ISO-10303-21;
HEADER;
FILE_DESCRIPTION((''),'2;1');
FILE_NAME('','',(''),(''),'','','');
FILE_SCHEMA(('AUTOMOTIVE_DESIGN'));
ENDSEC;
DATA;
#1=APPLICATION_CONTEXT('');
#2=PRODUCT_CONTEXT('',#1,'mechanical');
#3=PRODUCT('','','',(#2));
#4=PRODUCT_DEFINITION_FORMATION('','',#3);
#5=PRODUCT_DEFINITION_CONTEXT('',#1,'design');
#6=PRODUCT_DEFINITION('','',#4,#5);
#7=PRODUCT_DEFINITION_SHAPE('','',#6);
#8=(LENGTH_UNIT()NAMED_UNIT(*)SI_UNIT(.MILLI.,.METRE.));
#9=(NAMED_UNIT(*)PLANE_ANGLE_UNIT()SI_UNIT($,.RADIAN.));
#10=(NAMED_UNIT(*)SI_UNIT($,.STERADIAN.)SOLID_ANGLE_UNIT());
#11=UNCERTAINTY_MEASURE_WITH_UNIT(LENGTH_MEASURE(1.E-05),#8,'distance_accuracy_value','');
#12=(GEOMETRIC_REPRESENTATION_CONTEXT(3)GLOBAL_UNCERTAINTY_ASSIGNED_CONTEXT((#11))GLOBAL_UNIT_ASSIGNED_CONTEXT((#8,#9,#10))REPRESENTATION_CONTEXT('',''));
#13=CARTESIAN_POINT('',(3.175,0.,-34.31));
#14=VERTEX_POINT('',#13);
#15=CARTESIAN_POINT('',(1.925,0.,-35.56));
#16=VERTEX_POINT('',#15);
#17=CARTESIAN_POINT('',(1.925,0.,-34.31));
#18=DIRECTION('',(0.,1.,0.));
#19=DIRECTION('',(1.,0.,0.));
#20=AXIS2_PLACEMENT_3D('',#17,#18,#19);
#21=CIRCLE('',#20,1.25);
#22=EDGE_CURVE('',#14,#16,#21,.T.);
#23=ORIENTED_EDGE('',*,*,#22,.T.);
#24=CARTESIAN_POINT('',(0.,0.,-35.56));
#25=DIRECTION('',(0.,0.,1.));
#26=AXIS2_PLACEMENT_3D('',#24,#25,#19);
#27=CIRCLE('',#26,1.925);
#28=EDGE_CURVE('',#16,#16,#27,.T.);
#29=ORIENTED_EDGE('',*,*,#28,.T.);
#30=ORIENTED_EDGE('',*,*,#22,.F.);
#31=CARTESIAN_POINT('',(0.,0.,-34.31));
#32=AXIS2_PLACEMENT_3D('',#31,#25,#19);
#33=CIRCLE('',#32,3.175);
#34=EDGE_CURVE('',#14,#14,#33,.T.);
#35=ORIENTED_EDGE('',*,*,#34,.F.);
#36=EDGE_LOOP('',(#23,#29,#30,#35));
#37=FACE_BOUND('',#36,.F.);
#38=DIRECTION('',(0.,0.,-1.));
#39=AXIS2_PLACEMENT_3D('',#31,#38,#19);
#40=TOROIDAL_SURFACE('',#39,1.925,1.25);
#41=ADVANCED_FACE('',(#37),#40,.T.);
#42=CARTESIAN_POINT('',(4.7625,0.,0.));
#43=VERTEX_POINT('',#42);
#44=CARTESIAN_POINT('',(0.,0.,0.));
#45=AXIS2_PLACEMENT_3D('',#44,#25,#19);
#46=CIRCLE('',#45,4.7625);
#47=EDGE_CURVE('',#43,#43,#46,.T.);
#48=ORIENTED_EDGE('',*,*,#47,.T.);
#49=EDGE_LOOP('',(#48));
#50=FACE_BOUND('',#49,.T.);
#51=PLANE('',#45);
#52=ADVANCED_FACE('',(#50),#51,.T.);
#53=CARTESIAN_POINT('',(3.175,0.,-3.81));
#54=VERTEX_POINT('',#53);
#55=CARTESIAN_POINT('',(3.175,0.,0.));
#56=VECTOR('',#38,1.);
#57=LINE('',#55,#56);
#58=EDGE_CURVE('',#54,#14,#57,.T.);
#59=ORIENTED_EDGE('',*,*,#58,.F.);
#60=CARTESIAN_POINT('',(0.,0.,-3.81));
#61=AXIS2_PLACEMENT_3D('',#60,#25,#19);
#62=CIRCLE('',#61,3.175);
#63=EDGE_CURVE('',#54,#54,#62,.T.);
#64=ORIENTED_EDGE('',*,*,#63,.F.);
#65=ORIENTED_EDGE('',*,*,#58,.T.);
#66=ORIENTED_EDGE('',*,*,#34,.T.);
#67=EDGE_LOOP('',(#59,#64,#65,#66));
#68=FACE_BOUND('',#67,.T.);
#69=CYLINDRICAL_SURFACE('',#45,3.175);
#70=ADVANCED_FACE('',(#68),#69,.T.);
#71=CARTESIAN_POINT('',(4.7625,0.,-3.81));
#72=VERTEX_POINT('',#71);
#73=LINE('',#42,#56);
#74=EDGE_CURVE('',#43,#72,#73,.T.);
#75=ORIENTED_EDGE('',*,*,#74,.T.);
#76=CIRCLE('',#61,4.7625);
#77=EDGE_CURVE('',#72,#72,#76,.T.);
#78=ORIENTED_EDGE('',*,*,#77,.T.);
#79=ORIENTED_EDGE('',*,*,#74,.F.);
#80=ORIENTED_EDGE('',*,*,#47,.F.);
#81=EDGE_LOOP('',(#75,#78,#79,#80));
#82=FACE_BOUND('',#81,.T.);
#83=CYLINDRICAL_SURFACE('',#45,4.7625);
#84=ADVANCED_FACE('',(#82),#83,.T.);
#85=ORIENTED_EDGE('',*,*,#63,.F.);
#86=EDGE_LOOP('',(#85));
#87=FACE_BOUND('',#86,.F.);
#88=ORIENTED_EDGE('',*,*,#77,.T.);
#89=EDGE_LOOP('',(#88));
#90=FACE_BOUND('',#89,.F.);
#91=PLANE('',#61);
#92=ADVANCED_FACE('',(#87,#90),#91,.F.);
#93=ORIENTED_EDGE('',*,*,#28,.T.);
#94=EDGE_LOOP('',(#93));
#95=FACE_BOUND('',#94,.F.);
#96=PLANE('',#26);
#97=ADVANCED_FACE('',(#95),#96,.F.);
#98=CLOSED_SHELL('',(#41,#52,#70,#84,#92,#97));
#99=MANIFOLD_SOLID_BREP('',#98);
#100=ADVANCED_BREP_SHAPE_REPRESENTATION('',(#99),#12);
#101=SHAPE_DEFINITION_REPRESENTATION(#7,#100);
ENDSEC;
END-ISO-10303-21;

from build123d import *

# Parameters (mm, degrees)
F0_R     = 3.175
F1_DEPTH = 35.56
F2_R     = 4.7625
F3_DEPTH = 3.81
F4_R     = 1.25


with BuildPart() as f1:
    # F0 (on Top) → F1 (new body)
    with BuildSketch(Plane.XY):
        Circle(F0_R)
    extrude(amount=-F1_DEPTH)

    # F2 (on Top) → F3 (join)
    with BuildSketch(Plane.XY):
        Circle(F2_R)
    extrude(amount=-F3_DEPTH)

    # F4
    f4_edges = [f1.edges().sort_by_distance(p)[0] for p in [
        (-3.175, 0, -35.56),
    ]]
    fillet(f4_edges, radius=F4_R)


solid = f1.part
